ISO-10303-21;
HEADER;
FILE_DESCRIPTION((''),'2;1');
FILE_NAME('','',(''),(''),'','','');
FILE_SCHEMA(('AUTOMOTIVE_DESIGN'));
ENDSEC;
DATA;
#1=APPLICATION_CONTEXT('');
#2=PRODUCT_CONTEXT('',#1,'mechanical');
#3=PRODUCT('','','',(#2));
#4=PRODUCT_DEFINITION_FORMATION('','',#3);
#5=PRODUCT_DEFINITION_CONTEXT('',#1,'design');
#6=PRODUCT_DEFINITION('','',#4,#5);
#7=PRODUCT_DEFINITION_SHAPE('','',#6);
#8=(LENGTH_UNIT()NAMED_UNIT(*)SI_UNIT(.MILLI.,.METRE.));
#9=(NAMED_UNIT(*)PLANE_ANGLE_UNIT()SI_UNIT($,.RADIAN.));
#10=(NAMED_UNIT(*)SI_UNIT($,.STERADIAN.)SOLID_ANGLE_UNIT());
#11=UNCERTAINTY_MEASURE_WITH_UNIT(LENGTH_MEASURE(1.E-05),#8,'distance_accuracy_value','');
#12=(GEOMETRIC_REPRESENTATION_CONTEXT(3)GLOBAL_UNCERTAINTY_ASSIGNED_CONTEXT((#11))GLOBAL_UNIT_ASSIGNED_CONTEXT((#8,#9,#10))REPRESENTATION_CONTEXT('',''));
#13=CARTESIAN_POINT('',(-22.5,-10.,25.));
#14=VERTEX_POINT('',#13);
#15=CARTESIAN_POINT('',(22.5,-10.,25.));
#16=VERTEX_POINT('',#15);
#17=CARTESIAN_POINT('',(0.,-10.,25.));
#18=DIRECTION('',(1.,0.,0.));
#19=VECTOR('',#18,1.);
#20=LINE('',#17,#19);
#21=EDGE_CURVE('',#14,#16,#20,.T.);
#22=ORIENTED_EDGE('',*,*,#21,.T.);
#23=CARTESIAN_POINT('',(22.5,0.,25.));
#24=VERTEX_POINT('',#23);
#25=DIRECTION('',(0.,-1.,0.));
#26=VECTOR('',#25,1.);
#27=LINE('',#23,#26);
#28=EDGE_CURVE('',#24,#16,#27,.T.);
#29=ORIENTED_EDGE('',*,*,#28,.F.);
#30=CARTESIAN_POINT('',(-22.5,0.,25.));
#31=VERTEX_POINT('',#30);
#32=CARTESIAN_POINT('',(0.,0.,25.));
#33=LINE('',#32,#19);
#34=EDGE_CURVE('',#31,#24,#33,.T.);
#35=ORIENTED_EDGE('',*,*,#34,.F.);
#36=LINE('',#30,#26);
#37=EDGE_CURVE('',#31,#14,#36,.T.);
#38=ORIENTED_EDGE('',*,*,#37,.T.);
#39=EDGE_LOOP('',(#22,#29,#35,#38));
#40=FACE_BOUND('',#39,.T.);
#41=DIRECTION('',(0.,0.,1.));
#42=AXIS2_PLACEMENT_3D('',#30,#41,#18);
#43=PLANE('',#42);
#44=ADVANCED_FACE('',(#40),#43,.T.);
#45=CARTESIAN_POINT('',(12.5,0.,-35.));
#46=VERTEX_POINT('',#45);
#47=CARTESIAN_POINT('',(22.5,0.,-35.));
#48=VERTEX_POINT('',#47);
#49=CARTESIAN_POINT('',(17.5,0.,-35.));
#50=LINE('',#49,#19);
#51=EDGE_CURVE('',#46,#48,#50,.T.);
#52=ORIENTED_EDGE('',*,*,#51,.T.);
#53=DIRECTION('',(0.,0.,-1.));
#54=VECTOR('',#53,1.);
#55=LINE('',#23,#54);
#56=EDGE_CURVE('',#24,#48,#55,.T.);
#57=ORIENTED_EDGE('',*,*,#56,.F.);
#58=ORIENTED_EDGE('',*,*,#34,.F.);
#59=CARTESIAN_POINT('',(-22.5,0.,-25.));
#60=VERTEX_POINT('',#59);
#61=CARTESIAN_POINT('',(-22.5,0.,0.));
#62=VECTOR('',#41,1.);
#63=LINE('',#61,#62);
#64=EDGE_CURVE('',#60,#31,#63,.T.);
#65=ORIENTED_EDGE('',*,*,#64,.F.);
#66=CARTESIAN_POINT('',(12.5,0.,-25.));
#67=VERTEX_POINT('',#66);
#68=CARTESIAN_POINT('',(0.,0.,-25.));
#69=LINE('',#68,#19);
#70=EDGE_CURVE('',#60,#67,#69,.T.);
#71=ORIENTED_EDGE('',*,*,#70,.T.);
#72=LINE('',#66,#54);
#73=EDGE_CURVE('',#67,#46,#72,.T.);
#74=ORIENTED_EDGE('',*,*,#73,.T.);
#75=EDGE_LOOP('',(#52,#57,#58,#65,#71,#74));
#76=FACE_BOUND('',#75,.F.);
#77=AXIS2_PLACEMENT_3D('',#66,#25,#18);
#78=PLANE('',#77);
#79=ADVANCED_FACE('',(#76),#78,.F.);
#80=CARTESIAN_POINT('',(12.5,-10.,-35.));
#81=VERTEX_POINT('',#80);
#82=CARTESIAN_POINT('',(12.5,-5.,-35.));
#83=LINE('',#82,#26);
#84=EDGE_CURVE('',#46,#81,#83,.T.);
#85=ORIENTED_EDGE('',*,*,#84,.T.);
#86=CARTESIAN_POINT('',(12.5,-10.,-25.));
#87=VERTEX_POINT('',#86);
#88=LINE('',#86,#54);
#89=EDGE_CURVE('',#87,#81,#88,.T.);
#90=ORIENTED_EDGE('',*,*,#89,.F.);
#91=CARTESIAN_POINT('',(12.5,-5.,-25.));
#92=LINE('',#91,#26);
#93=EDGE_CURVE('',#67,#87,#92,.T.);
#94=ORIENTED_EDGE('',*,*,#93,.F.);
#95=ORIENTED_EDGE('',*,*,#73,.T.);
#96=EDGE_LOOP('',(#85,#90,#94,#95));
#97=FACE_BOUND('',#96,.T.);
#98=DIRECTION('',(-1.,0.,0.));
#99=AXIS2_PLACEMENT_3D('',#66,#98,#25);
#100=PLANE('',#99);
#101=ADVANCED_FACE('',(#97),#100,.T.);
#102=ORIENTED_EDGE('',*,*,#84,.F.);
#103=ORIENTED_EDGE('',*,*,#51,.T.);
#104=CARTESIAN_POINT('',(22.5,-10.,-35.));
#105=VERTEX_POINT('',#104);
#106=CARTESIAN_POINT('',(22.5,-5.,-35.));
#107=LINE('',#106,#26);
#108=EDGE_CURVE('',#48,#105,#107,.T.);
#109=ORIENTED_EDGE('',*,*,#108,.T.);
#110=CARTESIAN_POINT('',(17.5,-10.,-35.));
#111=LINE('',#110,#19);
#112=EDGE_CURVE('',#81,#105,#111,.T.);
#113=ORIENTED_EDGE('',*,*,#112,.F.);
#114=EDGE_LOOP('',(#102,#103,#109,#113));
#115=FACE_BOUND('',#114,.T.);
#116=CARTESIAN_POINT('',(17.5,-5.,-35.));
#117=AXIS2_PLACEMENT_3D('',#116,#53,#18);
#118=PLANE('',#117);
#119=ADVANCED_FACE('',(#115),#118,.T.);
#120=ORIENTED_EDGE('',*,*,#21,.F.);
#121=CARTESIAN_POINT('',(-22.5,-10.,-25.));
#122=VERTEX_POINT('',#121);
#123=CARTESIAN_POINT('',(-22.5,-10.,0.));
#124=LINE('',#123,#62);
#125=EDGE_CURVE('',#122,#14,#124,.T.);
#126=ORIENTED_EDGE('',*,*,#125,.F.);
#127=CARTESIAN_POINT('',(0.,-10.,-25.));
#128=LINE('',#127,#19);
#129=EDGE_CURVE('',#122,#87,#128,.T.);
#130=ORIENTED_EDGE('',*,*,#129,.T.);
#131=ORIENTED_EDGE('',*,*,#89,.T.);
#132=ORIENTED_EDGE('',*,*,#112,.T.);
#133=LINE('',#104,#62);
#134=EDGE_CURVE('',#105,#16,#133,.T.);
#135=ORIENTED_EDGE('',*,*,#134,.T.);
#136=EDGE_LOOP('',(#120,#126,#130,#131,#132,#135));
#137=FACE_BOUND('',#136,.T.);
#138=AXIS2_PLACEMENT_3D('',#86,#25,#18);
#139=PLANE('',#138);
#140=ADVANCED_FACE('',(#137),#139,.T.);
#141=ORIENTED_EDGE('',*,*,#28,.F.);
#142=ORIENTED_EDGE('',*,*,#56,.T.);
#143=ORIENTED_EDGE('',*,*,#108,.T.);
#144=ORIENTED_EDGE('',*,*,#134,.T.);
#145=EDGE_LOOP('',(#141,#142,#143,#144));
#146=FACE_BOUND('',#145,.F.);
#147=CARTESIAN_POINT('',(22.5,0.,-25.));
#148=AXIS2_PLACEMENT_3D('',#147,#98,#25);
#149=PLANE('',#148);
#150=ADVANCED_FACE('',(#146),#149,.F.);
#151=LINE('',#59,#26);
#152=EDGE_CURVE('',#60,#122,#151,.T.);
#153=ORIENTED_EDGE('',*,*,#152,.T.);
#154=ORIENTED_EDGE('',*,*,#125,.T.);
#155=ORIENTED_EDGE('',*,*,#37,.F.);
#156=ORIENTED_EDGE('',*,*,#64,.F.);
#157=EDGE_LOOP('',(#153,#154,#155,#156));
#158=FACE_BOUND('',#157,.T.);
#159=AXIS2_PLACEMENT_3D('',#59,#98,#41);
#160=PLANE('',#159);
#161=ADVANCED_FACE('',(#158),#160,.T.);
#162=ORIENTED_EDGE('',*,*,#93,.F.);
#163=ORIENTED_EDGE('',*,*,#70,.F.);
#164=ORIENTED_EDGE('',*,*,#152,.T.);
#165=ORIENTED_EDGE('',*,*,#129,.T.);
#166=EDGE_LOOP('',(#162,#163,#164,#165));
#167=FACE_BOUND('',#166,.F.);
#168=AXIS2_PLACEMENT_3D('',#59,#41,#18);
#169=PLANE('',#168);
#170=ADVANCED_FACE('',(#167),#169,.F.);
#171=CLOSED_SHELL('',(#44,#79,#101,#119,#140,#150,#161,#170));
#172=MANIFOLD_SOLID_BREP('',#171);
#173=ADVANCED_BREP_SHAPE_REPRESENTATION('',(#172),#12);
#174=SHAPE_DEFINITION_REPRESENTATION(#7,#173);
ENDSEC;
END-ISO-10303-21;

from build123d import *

# Parameters (mm, degrees)
F0_W     = 45
F0_H     = 50
F1_DEPTH = 10
F2_W     = 10
F2_H     = 10
F3_DEPTH = 10


with BuildPart() as f1:
    # F0 (on Front) → F1 (new body)
    with BuildSketch(Plane.XZ):
        Rectangle(F0_W, F0_H)
    extrude(amount=F1_DEPTH)

    # F2 (on face) → F3 (join)
    with BuildSketch(Plane(origin=(0, 0, -25), x_dir=(1, 0, 0), z_dir=(0, 0, -1))):
        with Locations((17.5, 5)):
            Rectangle(F2_W, F2_H)
    extrude(amount=F3_DEPTH)


solid = f1.part
